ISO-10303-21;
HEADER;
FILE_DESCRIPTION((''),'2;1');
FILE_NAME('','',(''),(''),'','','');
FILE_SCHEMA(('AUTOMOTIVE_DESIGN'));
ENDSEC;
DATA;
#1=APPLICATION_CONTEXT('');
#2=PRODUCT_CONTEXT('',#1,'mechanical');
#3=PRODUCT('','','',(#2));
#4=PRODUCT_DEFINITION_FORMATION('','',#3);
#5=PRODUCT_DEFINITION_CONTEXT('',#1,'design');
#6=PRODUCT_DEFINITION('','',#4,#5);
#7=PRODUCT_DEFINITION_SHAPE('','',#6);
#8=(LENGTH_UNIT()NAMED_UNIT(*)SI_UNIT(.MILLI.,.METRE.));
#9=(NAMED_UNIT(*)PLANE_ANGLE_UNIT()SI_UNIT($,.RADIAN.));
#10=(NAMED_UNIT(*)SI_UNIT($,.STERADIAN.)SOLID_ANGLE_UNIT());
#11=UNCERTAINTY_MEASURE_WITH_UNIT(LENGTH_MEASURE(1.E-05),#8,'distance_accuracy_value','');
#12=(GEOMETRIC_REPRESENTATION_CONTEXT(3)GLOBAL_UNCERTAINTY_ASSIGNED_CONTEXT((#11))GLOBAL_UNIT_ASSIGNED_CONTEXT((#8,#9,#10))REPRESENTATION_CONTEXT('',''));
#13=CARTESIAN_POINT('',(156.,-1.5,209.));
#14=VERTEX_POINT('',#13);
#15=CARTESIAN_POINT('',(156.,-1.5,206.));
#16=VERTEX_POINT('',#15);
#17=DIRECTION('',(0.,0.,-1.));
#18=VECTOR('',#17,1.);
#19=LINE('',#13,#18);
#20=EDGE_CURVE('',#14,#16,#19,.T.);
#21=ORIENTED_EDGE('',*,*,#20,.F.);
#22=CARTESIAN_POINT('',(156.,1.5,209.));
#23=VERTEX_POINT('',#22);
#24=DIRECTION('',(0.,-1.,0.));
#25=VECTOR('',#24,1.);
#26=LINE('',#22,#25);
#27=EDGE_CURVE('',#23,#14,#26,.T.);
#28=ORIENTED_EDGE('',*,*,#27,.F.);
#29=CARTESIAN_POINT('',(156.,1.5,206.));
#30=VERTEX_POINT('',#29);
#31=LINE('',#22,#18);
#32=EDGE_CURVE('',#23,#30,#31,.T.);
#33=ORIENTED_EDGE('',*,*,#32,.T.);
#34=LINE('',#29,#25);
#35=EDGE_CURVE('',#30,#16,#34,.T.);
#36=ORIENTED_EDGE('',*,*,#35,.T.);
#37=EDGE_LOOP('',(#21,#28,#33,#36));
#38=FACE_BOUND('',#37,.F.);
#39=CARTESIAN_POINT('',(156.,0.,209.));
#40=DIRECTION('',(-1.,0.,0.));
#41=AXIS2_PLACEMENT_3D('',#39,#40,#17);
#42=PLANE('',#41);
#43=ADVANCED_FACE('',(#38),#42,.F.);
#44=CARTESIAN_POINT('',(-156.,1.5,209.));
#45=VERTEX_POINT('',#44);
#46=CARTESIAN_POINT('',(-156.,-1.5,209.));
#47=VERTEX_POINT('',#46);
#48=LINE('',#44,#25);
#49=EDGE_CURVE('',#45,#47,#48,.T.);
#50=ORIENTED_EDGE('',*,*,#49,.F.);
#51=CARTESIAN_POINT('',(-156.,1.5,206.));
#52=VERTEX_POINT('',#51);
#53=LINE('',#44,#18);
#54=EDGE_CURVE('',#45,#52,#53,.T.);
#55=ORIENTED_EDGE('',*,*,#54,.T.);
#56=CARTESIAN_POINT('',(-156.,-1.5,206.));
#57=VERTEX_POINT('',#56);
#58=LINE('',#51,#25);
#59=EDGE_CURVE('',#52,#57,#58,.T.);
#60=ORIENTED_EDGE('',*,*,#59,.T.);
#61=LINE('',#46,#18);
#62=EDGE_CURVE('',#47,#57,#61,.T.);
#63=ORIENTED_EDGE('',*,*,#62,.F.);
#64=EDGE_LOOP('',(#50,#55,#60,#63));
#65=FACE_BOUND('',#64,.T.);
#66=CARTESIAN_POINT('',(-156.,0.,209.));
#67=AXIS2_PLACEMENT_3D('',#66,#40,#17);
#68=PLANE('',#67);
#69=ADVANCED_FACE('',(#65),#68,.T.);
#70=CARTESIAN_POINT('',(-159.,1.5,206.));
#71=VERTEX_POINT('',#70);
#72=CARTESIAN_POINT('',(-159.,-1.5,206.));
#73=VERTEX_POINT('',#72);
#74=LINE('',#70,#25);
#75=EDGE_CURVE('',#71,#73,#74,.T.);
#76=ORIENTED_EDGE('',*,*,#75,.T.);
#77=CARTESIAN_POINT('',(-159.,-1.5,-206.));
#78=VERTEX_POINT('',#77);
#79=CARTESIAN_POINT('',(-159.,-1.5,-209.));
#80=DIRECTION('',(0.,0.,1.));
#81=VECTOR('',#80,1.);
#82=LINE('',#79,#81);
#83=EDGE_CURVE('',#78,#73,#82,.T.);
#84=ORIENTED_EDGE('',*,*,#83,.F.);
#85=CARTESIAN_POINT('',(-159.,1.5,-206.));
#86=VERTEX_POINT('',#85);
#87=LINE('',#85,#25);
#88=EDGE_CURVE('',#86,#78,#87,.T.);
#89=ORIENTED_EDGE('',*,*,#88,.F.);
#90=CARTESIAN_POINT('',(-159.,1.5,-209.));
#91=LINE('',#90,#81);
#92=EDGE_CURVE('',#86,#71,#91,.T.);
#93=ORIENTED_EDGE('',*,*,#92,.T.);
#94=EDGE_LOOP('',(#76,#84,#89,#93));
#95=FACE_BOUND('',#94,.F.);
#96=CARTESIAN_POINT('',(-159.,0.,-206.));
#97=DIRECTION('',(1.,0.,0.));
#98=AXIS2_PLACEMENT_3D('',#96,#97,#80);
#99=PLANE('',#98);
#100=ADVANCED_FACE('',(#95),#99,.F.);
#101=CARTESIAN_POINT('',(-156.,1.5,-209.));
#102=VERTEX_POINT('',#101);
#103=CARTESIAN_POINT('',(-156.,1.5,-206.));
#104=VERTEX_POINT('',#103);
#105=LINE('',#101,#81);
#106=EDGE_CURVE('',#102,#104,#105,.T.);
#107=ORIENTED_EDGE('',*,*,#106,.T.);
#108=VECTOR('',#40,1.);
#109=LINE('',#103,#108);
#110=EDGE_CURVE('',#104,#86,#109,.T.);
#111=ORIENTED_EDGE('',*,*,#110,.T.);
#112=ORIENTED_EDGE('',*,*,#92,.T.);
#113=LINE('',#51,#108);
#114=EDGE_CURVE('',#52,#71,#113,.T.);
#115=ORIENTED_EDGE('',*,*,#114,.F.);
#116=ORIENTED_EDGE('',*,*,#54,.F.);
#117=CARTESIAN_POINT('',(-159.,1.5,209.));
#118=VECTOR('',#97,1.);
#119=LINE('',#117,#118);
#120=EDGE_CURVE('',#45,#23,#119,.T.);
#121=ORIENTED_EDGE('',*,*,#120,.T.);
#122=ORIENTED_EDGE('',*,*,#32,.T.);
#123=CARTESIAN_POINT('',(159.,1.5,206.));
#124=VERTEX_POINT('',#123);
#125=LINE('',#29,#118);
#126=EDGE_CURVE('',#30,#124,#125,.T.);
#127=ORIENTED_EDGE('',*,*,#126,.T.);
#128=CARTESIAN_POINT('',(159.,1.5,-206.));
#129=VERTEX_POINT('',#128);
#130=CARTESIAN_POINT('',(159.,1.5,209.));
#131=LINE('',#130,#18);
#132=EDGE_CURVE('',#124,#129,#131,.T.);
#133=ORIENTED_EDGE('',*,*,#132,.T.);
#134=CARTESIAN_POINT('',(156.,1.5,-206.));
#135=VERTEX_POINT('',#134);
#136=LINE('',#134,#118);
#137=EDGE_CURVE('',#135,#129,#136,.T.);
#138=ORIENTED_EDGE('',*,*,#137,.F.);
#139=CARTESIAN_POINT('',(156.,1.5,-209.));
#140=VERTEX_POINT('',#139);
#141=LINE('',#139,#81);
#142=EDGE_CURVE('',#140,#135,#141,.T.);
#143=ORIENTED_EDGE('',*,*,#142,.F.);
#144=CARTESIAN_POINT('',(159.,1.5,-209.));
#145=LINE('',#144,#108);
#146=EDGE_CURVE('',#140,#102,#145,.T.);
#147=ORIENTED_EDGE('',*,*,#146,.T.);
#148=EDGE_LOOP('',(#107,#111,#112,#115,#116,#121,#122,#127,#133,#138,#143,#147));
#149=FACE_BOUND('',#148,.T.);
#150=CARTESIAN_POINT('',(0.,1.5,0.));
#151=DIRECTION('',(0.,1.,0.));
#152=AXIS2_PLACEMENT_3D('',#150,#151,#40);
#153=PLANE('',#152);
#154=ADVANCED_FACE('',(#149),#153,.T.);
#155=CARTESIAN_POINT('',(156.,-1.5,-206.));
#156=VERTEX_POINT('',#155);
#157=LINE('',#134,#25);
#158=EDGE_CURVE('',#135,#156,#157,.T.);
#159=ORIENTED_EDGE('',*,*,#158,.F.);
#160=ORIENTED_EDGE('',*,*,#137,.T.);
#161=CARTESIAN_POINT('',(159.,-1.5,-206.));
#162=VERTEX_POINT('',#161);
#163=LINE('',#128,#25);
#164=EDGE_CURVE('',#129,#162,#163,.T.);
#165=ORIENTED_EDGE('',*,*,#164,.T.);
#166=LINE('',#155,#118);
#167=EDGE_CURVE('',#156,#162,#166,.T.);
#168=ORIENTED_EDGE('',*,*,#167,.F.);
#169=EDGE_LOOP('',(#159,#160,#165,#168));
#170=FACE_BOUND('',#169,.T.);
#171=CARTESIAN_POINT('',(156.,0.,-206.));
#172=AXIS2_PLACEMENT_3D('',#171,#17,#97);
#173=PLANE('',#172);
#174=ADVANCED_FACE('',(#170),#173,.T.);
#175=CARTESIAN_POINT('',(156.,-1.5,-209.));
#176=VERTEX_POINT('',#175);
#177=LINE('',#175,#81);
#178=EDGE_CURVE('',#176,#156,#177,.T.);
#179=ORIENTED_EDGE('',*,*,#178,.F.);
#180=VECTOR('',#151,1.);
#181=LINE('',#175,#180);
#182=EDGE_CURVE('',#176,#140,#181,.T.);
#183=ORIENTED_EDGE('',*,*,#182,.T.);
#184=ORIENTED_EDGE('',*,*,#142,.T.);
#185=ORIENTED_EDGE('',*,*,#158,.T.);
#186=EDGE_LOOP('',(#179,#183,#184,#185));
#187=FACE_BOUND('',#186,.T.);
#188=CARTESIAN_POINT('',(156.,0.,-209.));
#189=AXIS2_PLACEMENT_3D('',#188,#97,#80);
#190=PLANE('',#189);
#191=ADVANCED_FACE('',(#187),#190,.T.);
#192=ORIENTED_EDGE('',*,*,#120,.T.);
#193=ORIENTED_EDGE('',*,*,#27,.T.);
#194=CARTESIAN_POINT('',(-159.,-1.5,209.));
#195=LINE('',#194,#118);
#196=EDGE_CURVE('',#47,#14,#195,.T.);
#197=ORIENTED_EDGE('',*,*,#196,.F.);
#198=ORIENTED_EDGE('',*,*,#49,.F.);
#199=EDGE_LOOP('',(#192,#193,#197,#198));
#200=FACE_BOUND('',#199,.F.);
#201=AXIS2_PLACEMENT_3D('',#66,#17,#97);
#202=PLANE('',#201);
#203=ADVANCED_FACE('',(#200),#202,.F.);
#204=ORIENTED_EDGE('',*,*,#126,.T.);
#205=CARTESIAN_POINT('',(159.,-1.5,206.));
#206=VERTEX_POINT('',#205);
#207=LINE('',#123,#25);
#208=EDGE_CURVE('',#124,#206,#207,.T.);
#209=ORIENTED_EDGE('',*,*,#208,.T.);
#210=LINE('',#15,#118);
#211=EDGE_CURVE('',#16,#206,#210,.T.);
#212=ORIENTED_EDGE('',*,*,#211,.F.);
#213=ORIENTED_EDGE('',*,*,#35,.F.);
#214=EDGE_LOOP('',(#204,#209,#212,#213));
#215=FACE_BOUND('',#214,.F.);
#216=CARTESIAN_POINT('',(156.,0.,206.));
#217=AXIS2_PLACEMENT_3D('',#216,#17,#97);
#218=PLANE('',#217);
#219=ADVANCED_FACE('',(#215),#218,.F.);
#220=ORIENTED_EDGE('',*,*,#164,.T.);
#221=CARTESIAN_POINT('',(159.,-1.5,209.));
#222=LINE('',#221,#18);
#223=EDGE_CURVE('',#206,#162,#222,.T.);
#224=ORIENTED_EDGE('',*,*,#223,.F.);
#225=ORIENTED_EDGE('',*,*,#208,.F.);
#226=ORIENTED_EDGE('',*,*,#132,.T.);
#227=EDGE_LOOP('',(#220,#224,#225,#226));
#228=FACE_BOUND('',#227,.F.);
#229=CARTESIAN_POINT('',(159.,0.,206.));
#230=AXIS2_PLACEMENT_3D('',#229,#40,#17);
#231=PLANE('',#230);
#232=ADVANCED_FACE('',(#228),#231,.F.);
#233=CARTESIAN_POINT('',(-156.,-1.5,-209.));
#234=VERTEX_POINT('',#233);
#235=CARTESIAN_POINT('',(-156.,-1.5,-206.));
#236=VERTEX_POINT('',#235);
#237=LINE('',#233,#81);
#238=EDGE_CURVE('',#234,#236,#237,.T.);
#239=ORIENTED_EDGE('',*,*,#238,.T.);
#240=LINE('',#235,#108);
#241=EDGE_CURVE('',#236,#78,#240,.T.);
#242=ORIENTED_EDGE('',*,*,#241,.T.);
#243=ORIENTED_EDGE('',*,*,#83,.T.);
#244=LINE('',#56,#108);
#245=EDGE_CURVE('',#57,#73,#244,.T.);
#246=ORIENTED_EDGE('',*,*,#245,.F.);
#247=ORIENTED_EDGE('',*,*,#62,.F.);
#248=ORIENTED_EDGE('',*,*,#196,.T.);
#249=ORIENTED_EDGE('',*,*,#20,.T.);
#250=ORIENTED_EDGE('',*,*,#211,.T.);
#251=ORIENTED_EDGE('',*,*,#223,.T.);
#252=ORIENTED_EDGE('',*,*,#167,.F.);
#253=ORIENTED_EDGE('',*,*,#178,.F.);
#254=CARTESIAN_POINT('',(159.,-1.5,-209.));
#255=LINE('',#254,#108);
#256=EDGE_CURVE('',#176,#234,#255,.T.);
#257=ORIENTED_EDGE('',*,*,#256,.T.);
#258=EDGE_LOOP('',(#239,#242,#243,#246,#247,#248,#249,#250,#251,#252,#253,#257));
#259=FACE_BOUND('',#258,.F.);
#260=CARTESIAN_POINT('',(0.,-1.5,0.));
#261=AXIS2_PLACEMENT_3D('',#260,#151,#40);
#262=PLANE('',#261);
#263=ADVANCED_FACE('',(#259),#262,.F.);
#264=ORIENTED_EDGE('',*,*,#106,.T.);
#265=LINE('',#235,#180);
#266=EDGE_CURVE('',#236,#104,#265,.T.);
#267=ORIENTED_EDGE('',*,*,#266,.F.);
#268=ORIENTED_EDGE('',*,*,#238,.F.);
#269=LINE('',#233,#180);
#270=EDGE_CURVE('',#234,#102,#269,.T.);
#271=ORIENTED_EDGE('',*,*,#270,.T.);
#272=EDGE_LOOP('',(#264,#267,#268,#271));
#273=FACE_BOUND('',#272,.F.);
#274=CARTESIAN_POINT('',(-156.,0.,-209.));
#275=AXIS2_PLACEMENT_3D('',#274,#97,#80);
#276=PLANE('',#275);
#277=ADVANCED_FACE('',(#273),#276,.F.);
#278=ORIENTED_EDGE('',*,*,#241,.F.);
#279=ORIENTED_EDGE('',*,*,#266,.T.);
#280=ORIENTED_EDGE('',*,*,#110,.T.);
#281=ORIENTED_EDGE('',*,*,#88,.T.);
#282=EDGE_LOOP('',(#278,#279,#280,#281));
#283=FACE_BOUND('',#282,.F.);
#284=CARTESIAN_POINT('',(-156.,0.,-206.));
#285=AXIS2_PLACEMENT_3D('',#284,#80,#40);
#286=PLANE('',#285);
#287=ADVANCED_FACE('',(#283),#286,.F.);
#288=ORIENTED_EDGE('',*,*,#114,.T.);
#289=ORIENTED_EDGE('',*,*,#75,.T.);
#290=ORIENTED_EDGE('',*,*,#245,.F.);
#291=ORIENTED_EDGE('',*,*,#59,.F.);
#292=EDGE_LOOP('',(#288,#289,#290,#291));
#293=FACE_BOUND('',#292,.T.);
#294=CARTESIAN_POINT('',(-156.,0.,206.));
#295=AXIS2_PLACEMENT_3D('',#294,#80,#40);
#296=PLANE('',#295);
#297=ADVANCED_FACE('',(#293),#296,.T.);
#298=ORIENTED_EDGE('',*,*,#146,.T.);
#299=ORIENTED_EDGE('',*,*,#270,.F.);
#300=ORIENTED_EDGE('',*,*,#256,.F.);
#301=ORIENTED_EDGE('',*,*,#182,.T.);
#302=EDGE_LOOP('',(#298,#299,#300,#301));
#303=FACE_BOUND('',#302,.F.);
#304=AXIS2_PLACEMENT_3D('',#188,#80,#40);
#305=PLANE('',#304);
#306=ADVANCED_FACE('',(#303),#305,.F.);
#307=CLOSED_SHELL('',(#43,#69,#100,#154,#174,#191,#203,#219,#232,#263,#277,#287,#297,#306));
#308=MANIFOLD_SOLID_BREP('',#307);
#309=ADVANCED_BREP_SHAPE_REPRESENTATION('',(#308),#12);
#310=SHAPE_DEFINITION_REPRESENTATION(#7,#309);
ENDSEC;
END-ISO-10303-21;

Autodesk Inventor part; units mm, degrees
ref_plane "YZ Plane" through (0, 0, 0) normal (1, 0, 0) x (0, 1, 0)
ref_plane "XZ Plane" through (0, 0, 0) normal (0, 1, 0) x (-1, 0, 0)
ref_plane "XY Plane" through (0, 0, 0) normal (0, 0, 1) x (1, 0, 0)
sketch "Szkic1" plane through (0, 0, 0) normal (0, 1, 0) x (-1, 0, 0)
  line L0 (-159, -209) -> (159, -209)
  line L1 (159, -209) -> (159, 209)
  line L2 (159, 209) -> (-159, 209)
  line L3 (-159, 209) -> (-159, -209)
  line L4 (-159, -209) -> (159, 209) construction
  line L5 (159, -209) -> (-159, 209) construction
  line L6 (159, 209) -> (156, 209)
  line L7 (156, 209) -> (156, 206)
  line L8 (156, 206) -> (159, 206)
  line L9 (159, 206) -> (159, 209)
  line L10 (-159, 209) -> (-156, 209)
  line L11 (-156, 209) -> (-156, 206)
  line L12 (-156, 206) -> (-159, 206)
  line L13 (-159, 206) -> (-159, 209)
  line L14 (-159, -209) -> (-156, -209)
  line L15 (-156, -209) -> (-156, -206)
  line L16 (-156, -206) -> (-159, -206)
  line L17 (-159, -206) -> (-159, -209)
  line L18 (159, -209) -> (156, -209)
  line L19 (156, -209) -> (156, -206)
  line L20 (156, -206) -> (159, -206)
  line L21 (159, -206) -> (159, -209)
  point P0 (0, 0)
  dimension "d0" = 318
  dimension "d1" = 418
  dimension "d2" = 3
  dimension "d3" = 3
  dimension "d4" = 3
  dimension "d5" = 3
  dimension "d6" = 3
  dimension "d7" = 3
  dimension "d8" = 3
  dimension "d9" = 3
extrude "Wyciągnięcie proste1" add sketch "Szkic1" along normal mid plane 3 contours L15 L16 L3 L12 L11 L2 L7 L8 L1 L20 L19 L0
properties part number "Podloga"
